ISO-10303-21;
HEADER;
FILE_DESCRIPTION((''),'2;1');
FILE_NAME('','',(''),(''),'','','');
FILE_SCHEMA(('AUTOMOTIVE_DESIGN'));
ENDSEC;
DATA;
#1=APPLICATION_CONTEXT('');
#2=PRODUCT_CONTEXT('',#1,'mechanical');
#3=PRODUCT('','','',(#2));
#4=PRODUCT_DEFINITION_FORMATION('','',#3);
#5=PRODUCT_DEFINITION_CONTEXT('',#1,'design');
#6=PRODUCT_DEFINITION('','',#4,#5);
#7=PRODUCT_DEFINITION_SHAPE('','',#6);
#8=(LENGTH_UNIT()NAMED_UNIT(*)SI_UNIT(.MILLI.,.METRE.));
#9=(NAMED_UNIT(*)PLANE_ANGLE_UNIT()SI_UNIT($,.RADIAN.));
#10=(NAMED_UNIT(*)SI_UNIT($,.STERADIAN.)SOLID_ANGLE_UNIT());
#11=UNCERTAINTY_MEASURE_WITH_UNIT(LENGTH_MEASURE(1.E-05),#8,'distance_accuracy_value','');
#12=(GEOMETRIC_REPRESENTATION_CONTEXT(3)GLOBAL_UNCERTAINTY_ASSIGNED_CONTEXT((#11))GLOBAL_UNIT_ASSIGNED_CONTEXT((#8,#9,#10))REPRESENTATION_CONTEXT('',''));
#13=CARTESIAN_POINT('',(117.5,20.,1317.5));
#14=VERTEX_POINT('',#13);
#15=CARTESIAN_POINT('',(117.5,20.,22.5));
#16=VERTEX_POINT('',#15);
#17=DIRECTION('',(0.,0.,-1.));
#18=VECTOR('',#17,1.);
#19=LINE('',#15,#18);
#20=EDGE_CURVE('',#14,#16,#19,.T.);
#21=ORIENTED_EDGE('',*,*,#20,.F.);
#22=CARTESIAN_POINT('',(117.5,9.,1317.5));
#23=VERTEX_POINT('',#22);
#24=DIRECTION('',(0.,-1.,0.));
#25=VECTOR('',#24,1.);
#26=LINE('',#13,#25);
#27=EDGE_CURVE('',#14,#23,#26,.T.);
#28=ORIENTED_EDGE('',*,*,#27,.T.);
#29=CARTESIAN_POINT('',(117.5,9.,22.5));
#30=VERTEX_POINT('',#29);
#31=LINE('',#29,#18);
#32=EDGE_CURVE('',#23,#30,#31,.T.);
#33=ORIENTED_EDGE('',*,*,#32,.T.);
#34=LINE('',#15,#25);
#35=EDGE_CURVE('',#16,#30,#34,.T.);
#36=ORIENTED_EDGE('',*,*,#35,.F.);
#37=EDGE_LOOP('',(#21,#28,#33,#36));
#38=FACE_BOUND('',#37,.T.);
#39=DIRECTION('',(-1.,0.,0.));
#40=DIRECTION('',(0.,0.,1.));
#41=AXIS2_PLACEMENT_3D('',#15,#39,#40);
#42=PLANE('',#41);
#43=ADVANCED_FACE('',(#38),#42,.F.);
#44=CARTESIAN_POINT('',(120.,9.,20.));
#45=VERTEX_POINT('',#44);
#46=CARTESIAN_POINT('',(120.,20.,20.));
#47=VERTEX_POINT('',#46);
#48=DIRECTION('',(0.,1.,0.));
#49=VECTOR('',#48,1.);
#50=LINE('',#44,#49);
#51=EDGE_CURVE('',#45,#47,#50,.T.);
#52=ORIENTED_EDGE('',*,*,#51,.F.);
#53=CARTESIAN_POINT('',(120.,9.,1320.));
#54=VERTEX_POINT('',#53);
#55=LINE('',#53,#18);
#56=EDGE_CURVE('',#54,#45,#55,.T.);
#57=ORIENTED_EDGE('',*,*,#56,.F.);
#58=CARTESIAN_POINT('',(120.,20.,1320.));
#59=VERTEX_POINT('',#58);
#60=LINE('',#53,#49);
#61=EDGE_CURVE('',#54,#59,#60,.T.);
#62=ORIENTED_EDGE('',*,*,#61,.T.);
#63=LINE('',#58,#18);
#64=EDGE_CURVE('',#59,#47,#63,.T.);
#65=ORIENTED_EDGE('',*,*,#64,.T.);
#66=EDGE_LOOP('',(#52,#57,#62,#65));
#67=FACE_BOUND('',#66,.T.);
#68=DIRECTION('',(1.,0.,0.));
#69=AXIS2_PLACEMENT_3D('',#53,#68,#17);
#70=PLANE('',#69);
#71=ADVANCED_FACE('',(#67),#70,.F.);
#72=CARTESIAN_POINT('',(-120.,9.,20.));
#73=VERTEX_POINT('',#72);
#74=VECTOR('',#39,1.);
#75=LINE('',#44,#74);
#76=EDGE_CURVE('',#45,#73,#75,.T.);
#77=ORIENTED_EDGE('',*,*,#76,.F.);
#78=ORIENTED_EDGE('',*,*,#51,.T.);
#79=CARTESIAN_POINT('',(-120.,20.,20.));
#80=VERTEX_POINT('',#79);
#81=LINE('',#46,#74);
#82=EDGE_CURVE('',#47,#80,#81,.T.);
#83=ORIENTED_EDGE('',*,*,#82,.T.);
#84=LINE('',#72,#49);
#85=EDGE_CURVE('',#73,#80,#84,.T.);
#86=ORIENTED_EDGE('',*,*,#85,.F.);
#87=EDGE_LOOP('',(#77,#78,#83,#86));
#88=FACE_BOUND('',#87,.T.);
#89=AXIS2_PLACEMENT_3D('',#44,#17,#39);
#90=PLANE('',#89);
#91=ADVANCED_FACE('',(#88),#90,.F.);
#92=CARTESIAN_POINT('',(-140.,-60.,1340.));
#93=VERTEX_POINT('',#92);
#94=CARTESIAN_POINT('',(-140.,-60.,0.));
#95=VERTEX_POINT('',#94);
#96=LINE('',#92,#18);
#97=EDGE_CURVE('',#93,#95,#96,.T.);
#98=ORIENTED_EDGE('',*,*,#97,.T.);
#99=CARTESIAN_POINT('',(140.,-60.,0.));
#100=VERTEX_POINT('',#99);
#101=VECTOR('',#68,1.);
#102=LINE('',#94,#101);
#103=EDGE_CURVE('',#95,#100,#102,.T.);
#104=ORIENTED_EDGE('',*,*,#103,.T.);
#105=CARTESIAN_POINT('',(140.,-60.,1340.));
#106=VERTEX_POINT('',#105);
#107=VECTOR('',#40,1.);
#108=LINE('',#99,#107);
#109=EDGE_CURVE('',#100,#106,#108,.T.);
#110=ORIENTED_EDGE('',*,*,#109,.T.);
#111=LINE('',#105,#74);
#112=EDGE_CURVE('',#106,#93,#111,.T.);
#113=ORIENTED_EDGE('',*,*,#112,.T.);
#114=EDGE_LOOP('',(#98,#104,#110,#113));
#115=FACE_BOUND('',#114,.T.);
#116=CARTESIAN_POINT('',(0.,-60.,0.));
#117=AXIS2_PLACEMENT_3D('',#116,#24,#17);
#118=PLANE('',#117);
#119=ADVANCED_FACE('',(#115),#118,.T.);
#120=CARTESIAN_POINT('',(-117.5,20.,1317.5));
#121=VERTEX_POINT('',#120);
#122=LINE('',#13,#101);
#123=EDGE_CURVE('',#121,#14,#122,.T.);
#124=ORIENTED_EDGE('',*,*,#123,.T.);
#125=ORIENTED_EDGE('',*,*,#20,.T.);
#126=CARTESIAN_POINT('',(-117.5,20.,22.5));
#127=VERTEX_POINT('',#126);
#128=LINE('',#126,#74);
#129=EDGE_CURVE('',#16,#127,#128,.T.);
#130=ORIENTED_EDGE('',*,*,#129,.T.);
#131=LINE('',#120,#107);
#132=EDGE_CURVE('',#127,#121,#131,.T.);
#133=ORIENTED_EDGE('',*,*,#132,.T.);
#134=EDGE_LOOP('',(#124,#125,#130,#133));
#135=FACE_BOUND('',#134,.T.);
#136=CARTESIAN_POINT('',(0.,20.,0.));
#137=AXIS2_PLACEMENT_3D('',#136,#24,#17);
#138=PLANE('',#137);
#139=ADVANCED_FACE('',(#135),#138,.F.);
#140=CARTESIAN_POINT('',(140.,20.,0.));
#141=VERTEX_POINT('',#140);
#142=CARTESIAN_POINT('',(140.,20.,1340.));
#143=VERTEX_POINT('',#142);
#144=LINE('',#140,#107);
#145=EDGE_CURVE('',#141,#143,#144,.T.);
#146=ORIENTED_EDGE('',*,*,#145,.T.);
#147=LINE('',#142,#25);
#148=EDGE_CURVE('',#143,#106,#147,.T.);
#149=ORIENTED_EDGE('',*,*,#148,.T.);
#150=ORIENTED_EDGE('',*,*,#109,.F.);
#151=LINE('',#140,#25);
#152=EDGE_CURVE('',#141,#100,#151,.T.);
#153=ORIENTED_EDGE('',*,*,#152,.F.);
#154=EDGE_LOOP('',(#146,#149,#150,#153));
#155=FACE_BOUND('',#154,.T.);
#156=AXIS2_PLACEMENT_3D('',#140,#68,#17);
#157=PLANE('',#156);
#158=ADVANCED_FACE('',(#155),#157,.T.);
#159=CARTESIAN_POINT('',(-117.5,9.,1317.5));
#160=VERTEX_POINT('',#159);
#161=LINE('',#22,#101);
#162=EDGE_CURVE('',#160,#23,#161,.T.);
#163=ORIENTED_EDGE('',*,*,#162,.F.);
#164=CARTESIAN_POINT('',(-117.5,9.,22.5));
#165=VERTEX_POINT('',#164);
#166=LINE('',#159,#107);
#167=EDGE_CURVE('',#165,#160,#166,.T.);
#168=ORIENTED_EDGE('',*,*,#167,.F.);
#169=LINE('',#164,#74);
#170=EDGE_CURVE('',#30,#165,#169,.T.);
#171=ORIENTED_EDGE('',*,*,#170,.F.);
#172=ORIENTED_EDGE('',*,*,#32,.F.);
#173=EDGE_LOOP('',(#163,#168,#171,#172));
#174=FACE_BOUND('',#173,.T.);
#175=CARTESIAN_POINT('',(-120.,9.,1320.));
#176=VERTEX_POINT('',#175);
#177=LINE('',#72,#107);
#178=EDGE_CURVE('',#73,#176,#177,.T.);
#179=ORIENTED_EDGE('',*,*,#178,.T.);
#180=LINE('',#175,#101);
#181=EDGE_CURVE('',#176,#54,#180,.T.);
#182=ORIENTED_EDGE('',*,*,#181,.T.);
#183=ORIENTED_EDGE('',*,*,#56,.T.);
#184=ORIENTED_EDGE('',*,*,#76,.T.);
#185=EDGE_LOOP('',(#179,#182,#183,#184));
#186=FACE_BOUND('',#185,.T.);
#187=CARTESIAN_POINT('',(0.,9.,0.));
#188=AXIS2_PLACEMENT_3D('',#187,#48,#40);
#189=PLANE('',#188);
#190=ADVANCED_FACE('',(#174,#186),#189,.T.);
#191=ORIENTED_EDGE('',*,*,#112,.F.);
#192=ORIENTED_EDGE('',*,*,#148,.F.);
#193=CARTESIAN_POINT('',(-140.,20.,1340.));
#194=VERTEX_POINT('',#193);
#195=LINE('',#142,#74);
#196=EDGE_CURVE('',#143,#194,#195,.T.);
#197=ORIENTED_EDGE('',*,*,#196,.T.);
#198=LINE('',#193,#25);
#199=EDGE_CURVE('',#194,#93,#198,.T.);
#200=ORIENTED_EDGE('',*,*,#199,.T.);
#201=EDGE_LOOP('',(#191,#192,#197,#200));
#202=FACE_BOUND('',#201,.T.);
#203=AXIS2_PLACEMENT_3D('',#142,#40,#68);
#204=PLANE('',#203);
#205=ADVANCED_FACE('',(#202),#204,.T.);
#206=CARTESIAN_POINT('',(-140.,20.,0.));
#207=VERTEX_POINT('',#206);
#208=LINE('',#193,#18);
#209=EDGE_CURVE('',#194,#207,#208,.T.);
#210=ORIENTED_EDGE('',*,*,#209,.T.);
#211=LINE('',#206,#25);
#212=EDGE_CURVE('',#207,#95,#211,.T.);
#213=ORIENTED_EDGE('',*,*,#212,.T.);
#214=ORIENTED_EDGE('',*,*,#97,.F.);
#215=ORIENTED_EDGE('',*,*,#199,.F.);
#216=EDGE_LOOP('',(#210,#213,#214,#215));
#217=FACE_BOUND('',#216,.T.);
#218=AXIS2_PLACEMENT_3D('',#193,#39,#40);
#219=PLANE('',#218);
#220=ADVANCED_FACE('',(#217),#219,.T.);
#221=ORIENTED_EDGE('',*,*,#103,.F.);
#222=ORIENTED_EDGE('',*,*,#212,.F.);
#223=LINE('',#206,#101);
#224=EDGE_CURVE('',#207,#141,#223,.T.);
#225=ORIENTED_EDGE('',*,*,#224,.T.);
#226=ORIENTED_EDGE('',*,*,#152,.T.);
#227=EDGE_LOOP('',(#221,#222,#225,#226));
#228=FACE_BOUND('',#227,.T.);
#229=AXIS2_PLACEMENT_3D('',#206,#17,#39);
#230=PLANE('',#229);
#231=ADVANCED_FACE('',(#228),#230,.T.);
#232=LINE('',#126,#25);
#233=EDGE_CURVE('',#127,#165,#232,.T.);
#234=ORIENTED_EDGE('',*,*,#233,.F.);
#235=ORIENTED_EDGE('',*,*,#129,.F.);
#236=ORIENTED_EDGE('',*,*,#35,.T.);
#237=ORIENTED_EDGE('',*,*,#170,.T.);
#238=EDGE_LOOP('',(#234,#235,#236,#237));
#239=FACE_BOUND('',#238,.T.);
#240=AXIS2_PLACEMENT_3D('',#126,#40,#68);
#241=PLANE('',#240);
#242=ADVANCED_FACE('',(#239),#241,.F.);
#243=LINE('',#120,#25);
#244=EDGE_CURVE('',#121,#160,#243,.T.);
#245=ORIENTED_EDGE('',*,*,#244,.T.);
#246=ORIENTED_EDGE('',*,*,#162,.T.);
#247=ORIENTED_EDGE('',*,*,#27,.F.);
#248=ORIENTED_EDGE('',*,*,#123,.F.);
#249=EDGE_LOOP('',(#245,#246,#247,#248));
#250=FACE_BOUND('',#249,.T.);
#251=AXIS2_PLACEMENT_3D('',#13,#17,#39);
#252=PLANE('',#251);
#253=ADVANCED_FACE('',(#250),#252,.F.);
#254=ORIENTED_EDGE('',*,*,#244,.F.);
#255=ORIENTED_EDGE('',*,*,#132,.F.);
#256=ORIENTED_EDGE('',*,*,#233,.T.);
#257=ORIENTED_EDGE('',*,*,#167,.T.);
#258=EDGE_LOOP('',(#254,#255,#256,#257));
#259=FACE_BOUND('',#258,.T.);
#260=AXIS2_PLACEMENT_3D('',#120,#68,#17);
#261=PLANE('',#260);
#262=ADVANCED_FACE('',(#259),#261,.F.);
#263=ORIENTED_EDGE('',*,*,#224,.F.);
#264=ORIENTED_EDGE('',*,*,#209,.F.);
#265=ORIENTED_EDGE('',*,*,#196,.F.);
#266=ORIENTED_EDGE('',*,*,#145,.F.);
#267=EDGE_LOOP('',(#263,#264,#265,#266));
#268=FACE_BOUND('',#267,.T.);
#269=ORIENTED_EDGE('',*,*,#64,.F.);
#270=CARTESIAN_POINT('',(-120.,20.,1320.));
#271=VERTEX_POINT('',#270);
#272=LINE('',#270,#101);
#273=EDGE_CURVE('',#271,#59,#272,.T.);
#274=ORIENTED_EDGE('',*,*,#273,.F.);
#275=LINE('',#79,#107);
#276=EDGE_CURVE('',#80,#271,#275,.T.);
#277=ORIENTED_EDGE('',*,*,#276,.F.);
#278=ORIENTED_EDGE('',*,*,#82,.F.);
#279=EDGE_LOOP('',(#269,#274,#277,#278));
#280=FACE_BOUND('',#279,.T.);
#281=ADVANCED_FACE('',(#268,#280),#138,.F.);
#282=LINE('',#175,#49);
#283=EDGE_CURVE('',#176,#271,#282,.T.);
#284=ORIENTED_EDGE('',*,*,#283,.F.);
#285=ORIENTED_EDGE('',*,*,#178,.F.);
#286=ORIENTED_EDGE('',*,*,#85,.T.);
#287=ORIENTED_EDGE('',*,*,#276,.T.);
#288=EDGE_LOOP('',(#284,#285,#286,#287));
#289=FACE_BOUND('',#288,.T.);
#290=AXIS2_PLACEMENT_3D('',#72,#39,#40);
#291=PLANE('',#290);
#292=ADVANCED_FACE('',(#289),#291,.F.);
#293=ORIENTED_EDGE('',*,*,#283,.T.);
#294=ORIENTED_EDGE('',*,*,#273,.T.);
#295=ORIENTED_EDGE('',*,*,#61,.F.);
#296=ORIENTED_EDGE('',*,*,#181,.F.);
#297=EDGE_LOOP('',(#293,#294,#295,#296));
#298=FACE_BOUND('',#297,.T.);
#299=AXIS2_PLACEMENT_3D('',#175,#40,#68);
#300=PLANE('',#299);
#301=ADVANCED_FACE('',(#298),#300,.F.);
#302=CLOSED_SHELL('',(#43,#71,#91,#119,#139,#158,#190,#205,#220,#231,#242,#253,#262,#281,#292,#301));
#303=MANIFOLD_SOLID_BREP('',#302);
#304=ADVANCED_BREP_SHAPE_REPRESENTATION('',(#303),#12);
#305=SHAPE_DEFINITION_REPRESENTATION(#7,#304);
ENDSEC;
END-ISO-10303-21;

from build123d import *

# Parameters (mm, degrees)
SKETCH1_W           = 280
SKETCH1_H           = 1340
BOSS_EXTRUDE1_DEPTH = 80
SKETCH2_W           = 240
SKETCH2_H           = 1300
CUT_EXTRUDE1_DEPTH  = 11
SKETCH3_W           = 235
SKETCH3_H           = 1295
BOSS_EXTRUDE2_DEPTH = 11


with BuildPart() as part:
    # Sketch1 → Boss-Extrude1 (new body)
    with BuildSketch(Plane.XZ.offset(60)):
        with Locations((0, 670)):
            Rectangle(SKETCH1_W, SKETCH1_H)
    extrude(amount=-BOSS_EXTRUDE1_DEPTH)

    # Sketch2 → Cut-Extrude1 (cut)
    with BuildSketch(Plane(origin=(0, 20, 0), x_dir=(-1, 0, 0), z_dir=(0, 1, 0))):
        with Locations((0, 670)):
            Rectangle(SKETCH2_W, SKETCH2_H)
    extrude(amount=-CUT_EXTRUDE1_DEPTH, mode=Mode.SUBTRACT)

    # Sketch3 → Boss-Extrude2 (add)
    with BuildSketch(Plane(origin=(0, 9, 0), x_dir=(-1, 0, 0), z_dir=(0, 1, 0))):
        with Locations((0, 670)):
            Rectangle(SKETCH3_W, SKETCH3_H)
    extrude(amount=BOSS_EXTRUDE2_DEPTH)


solid = part.part
